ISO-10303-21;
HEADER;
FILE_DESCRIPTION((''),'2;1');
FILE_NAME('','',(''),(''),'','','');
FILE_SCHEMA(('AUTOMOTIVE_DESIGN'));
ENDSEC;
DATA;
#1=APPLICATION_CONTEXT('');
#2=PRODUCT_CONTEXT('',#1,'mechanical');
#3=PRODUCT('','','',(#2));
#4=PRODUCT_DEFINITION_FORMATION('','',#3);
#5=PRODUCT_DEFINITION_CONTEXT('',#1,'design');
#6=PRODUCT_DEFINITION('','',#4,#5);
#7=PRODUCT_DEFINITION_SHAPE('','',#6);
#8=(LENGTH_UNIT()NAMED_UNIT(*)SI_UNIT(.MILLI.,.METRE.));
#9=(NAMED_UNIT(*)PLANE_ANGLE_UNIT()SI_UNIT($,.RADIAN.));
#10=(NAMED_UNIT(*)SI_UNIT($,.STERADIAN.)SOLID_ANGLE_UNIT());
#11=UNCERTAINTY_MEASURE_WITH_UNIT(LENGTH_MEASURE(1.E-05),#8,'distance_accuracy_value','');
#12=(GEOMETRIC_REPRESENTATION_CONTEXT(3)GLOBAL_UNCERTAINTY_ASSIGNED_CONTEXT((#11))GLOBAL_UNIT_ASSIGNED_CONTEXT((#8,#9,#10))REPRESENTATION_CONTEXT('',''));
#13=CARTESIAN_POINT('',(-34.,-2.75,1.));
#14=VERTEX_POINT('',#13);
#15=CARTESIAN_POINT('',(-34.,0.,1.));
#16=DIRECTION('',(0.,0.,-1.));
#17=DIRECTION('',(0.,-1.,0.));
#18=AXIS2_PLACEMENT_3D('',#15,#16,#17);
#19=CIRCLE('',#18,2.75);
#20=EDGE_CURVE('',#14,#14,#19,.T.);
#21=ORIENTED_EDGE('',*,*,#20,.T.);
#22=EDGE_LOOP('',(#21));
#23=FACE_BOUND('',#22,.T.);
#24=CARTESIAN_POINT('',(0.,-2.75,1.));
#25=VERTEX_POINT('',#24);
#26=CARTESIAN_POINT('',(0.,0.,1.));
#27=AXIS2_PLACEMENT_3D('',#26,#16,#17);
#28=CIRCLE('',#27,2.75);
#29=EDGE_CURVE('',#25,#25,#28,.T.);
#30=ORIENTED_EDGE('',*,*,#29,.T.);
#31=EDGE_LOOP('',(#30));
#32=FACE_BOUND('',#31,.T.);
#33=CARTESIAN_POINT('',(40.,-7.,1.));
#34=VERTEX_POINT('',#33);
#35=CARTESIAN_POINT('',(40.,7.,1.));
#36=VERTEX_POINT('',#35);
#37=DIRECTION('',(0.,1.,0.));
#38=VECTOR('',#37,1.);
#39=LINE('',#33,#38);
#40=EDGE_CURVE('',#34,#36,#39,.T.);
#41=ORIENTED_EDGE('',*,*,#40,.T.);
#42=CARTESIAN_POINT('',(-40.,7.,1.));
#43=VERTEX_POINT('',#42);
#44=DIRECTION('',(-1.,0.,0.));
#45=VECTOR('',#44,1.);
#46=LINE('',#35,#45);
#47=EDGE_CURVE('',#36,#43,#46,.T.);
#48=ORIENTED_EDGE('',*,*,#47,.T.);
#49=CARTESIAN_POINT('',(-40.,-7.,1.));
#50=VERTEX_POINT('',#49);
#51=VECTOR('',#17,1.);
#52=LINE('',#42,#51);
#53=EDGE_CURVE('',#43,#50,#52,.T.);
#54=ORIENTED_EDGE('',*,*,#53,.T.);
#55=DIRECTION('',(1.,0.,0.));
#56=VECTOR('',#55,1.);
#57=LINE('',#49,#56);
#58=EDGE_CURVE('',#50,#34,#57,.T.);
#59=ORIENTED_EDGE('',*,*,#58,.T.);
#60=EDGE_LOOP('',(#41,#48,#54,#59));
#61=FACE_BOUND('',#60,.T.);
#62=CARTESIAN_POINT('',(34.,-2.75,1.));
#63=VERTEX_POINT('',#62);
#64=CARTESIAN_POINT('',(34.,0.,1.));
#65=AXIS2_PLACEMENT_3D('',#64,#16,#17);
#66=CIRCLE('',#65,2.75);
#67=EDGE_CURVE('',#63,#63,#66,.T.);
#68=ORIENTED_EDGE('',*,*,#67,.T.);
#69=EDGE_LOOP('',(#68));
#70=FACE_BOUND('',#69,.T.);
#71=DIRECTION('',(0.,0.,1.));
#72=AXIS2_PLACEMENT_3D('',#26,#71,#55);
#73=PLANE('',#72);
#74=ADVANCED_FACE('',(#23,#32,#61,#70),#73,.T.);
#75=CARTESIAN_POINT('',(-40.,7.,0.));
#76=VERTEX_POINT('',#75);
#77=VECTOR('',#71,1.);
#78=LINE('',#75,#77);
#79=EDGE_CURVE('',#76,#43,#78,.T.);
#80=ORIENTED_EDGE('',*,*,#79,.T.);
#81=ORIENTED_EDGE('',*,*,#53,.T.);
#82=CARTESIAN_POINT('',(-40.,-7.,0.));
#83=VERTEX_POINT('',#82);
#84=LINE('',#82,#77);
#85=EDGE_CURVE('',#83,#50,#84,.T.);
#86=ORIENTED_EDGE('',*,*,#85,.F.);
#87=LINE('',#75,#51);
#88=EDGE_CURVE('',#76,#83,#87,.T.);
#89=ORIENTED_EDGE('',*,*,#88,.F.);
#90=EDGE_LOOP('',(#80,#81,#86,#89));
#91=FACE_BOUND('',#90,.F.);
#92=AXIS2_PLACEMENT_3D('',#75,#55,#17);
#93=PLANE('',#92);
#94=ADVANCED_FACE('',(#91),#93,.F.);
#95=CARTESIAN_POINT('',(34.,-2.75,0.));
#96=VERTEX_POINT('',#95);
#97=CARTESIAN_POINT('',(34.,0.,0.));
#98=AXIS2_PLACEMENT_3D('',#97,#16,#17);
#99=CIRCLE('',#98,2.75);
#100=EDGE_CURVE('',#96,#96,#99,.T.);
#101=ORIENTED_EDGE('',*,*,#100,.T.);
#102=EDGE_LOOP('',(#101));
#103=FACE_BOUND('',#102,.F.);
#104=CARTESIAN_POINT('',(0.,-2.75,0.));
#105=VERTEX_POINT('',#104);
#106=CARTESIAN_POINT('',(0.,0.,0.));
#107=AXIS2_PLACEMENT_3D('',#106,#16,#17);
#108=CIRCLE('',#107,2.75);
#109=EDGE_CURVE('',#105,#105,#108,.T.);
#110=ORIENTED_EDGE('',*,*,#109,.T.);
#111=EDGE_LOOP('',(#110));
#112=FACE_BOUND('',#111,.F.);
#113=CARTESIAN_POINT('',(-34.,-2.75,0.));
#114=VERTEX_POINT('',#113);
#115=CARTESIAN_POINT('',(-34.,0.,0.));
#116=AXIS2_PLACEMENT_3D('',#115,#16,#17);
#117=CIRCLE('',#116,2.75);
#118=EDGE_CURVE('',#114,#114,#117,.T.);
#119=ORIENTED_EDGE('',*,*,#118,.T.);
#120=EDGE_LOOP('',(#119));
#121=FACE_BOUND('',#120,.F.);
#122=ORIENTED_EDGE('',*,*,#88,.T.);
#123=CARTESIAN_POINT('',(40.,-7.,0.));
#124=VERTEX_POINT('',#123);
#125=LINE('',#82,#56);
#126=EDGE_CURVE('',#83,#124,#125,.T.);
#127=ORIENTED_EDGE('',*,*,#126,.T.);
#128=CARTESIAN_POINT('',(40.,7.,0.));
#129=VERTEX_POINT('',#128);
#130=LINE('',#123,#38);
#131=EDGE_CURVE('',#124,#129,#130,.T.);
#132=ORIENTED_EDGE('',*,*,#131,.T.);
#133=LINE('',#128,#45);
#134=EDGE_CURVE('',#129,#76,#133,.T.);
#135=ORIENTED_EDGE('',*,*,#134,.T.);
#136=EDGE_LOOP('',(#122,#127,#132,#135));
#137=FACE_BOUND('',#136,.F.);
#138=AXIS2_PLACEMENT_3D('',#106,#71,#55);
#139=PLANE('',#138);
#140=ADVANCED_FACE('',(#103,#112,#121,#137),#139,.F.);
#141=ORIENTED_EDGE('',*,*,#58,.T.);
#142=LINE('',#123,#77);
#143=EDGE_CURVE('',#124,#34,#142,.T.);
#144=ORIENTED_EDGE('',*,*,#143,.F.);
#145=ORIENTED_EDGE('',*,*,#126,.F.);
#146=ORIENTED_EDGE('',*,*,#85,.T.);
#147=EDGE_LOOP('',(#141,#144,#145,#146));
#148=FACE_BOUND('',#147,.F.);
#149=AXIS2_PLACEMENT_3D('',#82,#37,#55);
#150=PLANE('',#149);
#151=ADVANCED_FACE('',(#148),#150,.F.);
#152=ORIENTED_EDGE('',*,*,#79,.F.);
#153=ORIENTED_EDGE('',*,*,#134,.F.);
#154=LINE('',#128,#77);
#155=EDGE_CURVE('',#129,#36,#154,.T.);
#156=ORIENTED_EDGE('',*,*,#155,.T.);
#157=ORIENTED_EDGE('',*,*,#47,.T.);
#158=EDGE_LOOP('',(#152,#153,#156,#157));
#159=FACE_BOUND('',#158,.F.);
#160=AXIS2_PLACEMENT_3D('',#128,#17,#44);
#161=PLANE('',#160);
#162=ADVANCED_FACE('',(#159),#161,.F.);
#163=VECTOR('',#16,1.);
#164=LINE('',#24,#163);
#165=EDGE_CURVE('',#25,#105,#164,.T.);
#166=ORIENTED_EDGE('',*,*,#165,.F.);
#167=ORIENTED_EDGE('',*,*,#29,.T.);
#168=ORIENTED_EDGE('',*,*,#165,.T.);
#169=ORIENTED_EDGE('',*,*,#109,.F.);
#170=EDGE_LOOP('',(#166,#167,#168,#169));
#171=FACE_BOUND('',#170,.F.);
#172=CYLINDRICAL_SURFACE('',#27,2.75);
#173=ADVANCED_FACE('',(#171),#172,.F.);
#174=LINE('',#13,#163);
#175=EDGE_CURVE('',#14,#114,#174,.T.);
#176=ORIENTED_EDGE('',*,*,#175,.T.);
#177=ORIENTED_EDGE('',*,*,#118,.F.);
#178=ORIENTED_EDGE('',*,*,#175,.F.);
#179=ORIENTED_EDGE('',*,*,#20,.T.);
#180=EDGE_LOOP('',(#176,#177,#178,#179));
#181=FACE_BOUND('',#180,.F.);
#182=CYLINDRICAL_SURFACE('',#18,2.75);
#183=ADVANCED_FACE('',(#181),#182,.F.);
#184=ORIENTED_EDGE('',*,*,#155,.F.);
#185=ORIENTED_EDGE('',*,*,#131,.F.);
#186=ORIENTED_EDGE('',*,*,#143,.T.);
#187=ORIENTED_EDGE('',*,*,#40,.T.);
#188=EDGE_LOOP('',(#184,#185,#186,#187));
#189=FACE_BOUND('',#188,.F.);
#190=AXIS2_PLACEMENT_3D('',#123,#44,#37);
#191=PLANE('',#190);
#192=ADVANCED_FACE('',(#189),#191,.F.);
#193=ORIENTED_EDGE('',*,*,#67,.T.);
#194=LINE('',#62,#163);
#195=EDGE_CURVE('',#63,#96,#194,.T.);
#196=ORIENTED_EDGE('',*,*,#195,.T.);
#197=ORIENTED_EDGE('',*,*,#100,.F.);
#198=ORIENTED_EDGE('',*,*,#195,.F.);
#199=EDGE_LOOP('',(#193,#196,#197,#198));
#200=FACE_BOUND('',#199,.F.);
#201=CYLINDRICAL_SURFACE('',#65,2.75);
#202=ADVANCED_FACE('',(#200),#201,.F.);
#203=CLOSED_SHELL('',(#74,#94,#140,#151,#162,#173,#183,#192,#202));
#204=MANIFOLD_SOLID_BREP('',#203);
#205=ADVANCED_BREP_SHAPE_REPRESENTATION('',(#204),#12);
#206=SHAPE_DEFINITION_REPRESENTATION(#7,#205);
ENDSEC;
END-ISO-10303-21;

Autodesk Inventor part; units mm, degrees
ref_plane "YZ Plane" through (0, 0, 0) normal (1, 0, 0) x (0, 1, 0)
ref_plane "XZ Plane" through (0, 0, 0) normal (0, 1, 0) x (-1, 0, 0)
ref_plane "XY Plane" through (0, 0, 0) normal (0, 0, 1) x (1, 0, 0)
sketch "Sketch1" plane through (0, 0, 0) normal (0, 0, 1) x (1, 0, 0)
  line L0 (-40, -7) -> (40, -7)
  line L1 (40, -7) -> (40, 7)
  line L2 (40, 7) -> (-40, 7)
  line L3 (-40, 7) -> (-40, -7)
  line L4 (-40, -7) -> (40, 7) construction
  line L5 (40, -7) -> (-40, 7) construction
  point P0 (0, 0)
  dimension "d0" = 80
  dimension "d1" = 14
extrude "Extrusion1" add sketch "Sketch1" along normal blind 1
sketch "Sketch2" plane through (0, 0, 1) normal (0, 0, 1) x (1, 0, 0)
  point P0 (0, 0)
  point P1 (0, 0)
hole "Hole1" at (0, 0, 1) direction (0, 0, -1) diameter 5.5 depth 8 tip angle 118 clearance for "Countersunk Flat Head Screw DIN EN ISO 2009" size "M5" standard "DIN"
sketch "Sketch3" plane through (0, 0, 1) normal (0, 0, 1) x (1, 0, 0)
  line L0 (-34, 0) -> (34, 0) construction
  point P0 (0, 0)
  point P1 (0, 0)
  dimension "d11" = 68
hole "Hole2" at (-34, 0, 1) at (34, 0, 1) direction (0, 0, -1) diameter 5.5 depth 8 tip angle 118 clearance for "Countersunk Flat Head Screw DIN EN ISO 2009" size "M5" standard "DIN"
properties part number "Cu_Cap" material "Copper"
